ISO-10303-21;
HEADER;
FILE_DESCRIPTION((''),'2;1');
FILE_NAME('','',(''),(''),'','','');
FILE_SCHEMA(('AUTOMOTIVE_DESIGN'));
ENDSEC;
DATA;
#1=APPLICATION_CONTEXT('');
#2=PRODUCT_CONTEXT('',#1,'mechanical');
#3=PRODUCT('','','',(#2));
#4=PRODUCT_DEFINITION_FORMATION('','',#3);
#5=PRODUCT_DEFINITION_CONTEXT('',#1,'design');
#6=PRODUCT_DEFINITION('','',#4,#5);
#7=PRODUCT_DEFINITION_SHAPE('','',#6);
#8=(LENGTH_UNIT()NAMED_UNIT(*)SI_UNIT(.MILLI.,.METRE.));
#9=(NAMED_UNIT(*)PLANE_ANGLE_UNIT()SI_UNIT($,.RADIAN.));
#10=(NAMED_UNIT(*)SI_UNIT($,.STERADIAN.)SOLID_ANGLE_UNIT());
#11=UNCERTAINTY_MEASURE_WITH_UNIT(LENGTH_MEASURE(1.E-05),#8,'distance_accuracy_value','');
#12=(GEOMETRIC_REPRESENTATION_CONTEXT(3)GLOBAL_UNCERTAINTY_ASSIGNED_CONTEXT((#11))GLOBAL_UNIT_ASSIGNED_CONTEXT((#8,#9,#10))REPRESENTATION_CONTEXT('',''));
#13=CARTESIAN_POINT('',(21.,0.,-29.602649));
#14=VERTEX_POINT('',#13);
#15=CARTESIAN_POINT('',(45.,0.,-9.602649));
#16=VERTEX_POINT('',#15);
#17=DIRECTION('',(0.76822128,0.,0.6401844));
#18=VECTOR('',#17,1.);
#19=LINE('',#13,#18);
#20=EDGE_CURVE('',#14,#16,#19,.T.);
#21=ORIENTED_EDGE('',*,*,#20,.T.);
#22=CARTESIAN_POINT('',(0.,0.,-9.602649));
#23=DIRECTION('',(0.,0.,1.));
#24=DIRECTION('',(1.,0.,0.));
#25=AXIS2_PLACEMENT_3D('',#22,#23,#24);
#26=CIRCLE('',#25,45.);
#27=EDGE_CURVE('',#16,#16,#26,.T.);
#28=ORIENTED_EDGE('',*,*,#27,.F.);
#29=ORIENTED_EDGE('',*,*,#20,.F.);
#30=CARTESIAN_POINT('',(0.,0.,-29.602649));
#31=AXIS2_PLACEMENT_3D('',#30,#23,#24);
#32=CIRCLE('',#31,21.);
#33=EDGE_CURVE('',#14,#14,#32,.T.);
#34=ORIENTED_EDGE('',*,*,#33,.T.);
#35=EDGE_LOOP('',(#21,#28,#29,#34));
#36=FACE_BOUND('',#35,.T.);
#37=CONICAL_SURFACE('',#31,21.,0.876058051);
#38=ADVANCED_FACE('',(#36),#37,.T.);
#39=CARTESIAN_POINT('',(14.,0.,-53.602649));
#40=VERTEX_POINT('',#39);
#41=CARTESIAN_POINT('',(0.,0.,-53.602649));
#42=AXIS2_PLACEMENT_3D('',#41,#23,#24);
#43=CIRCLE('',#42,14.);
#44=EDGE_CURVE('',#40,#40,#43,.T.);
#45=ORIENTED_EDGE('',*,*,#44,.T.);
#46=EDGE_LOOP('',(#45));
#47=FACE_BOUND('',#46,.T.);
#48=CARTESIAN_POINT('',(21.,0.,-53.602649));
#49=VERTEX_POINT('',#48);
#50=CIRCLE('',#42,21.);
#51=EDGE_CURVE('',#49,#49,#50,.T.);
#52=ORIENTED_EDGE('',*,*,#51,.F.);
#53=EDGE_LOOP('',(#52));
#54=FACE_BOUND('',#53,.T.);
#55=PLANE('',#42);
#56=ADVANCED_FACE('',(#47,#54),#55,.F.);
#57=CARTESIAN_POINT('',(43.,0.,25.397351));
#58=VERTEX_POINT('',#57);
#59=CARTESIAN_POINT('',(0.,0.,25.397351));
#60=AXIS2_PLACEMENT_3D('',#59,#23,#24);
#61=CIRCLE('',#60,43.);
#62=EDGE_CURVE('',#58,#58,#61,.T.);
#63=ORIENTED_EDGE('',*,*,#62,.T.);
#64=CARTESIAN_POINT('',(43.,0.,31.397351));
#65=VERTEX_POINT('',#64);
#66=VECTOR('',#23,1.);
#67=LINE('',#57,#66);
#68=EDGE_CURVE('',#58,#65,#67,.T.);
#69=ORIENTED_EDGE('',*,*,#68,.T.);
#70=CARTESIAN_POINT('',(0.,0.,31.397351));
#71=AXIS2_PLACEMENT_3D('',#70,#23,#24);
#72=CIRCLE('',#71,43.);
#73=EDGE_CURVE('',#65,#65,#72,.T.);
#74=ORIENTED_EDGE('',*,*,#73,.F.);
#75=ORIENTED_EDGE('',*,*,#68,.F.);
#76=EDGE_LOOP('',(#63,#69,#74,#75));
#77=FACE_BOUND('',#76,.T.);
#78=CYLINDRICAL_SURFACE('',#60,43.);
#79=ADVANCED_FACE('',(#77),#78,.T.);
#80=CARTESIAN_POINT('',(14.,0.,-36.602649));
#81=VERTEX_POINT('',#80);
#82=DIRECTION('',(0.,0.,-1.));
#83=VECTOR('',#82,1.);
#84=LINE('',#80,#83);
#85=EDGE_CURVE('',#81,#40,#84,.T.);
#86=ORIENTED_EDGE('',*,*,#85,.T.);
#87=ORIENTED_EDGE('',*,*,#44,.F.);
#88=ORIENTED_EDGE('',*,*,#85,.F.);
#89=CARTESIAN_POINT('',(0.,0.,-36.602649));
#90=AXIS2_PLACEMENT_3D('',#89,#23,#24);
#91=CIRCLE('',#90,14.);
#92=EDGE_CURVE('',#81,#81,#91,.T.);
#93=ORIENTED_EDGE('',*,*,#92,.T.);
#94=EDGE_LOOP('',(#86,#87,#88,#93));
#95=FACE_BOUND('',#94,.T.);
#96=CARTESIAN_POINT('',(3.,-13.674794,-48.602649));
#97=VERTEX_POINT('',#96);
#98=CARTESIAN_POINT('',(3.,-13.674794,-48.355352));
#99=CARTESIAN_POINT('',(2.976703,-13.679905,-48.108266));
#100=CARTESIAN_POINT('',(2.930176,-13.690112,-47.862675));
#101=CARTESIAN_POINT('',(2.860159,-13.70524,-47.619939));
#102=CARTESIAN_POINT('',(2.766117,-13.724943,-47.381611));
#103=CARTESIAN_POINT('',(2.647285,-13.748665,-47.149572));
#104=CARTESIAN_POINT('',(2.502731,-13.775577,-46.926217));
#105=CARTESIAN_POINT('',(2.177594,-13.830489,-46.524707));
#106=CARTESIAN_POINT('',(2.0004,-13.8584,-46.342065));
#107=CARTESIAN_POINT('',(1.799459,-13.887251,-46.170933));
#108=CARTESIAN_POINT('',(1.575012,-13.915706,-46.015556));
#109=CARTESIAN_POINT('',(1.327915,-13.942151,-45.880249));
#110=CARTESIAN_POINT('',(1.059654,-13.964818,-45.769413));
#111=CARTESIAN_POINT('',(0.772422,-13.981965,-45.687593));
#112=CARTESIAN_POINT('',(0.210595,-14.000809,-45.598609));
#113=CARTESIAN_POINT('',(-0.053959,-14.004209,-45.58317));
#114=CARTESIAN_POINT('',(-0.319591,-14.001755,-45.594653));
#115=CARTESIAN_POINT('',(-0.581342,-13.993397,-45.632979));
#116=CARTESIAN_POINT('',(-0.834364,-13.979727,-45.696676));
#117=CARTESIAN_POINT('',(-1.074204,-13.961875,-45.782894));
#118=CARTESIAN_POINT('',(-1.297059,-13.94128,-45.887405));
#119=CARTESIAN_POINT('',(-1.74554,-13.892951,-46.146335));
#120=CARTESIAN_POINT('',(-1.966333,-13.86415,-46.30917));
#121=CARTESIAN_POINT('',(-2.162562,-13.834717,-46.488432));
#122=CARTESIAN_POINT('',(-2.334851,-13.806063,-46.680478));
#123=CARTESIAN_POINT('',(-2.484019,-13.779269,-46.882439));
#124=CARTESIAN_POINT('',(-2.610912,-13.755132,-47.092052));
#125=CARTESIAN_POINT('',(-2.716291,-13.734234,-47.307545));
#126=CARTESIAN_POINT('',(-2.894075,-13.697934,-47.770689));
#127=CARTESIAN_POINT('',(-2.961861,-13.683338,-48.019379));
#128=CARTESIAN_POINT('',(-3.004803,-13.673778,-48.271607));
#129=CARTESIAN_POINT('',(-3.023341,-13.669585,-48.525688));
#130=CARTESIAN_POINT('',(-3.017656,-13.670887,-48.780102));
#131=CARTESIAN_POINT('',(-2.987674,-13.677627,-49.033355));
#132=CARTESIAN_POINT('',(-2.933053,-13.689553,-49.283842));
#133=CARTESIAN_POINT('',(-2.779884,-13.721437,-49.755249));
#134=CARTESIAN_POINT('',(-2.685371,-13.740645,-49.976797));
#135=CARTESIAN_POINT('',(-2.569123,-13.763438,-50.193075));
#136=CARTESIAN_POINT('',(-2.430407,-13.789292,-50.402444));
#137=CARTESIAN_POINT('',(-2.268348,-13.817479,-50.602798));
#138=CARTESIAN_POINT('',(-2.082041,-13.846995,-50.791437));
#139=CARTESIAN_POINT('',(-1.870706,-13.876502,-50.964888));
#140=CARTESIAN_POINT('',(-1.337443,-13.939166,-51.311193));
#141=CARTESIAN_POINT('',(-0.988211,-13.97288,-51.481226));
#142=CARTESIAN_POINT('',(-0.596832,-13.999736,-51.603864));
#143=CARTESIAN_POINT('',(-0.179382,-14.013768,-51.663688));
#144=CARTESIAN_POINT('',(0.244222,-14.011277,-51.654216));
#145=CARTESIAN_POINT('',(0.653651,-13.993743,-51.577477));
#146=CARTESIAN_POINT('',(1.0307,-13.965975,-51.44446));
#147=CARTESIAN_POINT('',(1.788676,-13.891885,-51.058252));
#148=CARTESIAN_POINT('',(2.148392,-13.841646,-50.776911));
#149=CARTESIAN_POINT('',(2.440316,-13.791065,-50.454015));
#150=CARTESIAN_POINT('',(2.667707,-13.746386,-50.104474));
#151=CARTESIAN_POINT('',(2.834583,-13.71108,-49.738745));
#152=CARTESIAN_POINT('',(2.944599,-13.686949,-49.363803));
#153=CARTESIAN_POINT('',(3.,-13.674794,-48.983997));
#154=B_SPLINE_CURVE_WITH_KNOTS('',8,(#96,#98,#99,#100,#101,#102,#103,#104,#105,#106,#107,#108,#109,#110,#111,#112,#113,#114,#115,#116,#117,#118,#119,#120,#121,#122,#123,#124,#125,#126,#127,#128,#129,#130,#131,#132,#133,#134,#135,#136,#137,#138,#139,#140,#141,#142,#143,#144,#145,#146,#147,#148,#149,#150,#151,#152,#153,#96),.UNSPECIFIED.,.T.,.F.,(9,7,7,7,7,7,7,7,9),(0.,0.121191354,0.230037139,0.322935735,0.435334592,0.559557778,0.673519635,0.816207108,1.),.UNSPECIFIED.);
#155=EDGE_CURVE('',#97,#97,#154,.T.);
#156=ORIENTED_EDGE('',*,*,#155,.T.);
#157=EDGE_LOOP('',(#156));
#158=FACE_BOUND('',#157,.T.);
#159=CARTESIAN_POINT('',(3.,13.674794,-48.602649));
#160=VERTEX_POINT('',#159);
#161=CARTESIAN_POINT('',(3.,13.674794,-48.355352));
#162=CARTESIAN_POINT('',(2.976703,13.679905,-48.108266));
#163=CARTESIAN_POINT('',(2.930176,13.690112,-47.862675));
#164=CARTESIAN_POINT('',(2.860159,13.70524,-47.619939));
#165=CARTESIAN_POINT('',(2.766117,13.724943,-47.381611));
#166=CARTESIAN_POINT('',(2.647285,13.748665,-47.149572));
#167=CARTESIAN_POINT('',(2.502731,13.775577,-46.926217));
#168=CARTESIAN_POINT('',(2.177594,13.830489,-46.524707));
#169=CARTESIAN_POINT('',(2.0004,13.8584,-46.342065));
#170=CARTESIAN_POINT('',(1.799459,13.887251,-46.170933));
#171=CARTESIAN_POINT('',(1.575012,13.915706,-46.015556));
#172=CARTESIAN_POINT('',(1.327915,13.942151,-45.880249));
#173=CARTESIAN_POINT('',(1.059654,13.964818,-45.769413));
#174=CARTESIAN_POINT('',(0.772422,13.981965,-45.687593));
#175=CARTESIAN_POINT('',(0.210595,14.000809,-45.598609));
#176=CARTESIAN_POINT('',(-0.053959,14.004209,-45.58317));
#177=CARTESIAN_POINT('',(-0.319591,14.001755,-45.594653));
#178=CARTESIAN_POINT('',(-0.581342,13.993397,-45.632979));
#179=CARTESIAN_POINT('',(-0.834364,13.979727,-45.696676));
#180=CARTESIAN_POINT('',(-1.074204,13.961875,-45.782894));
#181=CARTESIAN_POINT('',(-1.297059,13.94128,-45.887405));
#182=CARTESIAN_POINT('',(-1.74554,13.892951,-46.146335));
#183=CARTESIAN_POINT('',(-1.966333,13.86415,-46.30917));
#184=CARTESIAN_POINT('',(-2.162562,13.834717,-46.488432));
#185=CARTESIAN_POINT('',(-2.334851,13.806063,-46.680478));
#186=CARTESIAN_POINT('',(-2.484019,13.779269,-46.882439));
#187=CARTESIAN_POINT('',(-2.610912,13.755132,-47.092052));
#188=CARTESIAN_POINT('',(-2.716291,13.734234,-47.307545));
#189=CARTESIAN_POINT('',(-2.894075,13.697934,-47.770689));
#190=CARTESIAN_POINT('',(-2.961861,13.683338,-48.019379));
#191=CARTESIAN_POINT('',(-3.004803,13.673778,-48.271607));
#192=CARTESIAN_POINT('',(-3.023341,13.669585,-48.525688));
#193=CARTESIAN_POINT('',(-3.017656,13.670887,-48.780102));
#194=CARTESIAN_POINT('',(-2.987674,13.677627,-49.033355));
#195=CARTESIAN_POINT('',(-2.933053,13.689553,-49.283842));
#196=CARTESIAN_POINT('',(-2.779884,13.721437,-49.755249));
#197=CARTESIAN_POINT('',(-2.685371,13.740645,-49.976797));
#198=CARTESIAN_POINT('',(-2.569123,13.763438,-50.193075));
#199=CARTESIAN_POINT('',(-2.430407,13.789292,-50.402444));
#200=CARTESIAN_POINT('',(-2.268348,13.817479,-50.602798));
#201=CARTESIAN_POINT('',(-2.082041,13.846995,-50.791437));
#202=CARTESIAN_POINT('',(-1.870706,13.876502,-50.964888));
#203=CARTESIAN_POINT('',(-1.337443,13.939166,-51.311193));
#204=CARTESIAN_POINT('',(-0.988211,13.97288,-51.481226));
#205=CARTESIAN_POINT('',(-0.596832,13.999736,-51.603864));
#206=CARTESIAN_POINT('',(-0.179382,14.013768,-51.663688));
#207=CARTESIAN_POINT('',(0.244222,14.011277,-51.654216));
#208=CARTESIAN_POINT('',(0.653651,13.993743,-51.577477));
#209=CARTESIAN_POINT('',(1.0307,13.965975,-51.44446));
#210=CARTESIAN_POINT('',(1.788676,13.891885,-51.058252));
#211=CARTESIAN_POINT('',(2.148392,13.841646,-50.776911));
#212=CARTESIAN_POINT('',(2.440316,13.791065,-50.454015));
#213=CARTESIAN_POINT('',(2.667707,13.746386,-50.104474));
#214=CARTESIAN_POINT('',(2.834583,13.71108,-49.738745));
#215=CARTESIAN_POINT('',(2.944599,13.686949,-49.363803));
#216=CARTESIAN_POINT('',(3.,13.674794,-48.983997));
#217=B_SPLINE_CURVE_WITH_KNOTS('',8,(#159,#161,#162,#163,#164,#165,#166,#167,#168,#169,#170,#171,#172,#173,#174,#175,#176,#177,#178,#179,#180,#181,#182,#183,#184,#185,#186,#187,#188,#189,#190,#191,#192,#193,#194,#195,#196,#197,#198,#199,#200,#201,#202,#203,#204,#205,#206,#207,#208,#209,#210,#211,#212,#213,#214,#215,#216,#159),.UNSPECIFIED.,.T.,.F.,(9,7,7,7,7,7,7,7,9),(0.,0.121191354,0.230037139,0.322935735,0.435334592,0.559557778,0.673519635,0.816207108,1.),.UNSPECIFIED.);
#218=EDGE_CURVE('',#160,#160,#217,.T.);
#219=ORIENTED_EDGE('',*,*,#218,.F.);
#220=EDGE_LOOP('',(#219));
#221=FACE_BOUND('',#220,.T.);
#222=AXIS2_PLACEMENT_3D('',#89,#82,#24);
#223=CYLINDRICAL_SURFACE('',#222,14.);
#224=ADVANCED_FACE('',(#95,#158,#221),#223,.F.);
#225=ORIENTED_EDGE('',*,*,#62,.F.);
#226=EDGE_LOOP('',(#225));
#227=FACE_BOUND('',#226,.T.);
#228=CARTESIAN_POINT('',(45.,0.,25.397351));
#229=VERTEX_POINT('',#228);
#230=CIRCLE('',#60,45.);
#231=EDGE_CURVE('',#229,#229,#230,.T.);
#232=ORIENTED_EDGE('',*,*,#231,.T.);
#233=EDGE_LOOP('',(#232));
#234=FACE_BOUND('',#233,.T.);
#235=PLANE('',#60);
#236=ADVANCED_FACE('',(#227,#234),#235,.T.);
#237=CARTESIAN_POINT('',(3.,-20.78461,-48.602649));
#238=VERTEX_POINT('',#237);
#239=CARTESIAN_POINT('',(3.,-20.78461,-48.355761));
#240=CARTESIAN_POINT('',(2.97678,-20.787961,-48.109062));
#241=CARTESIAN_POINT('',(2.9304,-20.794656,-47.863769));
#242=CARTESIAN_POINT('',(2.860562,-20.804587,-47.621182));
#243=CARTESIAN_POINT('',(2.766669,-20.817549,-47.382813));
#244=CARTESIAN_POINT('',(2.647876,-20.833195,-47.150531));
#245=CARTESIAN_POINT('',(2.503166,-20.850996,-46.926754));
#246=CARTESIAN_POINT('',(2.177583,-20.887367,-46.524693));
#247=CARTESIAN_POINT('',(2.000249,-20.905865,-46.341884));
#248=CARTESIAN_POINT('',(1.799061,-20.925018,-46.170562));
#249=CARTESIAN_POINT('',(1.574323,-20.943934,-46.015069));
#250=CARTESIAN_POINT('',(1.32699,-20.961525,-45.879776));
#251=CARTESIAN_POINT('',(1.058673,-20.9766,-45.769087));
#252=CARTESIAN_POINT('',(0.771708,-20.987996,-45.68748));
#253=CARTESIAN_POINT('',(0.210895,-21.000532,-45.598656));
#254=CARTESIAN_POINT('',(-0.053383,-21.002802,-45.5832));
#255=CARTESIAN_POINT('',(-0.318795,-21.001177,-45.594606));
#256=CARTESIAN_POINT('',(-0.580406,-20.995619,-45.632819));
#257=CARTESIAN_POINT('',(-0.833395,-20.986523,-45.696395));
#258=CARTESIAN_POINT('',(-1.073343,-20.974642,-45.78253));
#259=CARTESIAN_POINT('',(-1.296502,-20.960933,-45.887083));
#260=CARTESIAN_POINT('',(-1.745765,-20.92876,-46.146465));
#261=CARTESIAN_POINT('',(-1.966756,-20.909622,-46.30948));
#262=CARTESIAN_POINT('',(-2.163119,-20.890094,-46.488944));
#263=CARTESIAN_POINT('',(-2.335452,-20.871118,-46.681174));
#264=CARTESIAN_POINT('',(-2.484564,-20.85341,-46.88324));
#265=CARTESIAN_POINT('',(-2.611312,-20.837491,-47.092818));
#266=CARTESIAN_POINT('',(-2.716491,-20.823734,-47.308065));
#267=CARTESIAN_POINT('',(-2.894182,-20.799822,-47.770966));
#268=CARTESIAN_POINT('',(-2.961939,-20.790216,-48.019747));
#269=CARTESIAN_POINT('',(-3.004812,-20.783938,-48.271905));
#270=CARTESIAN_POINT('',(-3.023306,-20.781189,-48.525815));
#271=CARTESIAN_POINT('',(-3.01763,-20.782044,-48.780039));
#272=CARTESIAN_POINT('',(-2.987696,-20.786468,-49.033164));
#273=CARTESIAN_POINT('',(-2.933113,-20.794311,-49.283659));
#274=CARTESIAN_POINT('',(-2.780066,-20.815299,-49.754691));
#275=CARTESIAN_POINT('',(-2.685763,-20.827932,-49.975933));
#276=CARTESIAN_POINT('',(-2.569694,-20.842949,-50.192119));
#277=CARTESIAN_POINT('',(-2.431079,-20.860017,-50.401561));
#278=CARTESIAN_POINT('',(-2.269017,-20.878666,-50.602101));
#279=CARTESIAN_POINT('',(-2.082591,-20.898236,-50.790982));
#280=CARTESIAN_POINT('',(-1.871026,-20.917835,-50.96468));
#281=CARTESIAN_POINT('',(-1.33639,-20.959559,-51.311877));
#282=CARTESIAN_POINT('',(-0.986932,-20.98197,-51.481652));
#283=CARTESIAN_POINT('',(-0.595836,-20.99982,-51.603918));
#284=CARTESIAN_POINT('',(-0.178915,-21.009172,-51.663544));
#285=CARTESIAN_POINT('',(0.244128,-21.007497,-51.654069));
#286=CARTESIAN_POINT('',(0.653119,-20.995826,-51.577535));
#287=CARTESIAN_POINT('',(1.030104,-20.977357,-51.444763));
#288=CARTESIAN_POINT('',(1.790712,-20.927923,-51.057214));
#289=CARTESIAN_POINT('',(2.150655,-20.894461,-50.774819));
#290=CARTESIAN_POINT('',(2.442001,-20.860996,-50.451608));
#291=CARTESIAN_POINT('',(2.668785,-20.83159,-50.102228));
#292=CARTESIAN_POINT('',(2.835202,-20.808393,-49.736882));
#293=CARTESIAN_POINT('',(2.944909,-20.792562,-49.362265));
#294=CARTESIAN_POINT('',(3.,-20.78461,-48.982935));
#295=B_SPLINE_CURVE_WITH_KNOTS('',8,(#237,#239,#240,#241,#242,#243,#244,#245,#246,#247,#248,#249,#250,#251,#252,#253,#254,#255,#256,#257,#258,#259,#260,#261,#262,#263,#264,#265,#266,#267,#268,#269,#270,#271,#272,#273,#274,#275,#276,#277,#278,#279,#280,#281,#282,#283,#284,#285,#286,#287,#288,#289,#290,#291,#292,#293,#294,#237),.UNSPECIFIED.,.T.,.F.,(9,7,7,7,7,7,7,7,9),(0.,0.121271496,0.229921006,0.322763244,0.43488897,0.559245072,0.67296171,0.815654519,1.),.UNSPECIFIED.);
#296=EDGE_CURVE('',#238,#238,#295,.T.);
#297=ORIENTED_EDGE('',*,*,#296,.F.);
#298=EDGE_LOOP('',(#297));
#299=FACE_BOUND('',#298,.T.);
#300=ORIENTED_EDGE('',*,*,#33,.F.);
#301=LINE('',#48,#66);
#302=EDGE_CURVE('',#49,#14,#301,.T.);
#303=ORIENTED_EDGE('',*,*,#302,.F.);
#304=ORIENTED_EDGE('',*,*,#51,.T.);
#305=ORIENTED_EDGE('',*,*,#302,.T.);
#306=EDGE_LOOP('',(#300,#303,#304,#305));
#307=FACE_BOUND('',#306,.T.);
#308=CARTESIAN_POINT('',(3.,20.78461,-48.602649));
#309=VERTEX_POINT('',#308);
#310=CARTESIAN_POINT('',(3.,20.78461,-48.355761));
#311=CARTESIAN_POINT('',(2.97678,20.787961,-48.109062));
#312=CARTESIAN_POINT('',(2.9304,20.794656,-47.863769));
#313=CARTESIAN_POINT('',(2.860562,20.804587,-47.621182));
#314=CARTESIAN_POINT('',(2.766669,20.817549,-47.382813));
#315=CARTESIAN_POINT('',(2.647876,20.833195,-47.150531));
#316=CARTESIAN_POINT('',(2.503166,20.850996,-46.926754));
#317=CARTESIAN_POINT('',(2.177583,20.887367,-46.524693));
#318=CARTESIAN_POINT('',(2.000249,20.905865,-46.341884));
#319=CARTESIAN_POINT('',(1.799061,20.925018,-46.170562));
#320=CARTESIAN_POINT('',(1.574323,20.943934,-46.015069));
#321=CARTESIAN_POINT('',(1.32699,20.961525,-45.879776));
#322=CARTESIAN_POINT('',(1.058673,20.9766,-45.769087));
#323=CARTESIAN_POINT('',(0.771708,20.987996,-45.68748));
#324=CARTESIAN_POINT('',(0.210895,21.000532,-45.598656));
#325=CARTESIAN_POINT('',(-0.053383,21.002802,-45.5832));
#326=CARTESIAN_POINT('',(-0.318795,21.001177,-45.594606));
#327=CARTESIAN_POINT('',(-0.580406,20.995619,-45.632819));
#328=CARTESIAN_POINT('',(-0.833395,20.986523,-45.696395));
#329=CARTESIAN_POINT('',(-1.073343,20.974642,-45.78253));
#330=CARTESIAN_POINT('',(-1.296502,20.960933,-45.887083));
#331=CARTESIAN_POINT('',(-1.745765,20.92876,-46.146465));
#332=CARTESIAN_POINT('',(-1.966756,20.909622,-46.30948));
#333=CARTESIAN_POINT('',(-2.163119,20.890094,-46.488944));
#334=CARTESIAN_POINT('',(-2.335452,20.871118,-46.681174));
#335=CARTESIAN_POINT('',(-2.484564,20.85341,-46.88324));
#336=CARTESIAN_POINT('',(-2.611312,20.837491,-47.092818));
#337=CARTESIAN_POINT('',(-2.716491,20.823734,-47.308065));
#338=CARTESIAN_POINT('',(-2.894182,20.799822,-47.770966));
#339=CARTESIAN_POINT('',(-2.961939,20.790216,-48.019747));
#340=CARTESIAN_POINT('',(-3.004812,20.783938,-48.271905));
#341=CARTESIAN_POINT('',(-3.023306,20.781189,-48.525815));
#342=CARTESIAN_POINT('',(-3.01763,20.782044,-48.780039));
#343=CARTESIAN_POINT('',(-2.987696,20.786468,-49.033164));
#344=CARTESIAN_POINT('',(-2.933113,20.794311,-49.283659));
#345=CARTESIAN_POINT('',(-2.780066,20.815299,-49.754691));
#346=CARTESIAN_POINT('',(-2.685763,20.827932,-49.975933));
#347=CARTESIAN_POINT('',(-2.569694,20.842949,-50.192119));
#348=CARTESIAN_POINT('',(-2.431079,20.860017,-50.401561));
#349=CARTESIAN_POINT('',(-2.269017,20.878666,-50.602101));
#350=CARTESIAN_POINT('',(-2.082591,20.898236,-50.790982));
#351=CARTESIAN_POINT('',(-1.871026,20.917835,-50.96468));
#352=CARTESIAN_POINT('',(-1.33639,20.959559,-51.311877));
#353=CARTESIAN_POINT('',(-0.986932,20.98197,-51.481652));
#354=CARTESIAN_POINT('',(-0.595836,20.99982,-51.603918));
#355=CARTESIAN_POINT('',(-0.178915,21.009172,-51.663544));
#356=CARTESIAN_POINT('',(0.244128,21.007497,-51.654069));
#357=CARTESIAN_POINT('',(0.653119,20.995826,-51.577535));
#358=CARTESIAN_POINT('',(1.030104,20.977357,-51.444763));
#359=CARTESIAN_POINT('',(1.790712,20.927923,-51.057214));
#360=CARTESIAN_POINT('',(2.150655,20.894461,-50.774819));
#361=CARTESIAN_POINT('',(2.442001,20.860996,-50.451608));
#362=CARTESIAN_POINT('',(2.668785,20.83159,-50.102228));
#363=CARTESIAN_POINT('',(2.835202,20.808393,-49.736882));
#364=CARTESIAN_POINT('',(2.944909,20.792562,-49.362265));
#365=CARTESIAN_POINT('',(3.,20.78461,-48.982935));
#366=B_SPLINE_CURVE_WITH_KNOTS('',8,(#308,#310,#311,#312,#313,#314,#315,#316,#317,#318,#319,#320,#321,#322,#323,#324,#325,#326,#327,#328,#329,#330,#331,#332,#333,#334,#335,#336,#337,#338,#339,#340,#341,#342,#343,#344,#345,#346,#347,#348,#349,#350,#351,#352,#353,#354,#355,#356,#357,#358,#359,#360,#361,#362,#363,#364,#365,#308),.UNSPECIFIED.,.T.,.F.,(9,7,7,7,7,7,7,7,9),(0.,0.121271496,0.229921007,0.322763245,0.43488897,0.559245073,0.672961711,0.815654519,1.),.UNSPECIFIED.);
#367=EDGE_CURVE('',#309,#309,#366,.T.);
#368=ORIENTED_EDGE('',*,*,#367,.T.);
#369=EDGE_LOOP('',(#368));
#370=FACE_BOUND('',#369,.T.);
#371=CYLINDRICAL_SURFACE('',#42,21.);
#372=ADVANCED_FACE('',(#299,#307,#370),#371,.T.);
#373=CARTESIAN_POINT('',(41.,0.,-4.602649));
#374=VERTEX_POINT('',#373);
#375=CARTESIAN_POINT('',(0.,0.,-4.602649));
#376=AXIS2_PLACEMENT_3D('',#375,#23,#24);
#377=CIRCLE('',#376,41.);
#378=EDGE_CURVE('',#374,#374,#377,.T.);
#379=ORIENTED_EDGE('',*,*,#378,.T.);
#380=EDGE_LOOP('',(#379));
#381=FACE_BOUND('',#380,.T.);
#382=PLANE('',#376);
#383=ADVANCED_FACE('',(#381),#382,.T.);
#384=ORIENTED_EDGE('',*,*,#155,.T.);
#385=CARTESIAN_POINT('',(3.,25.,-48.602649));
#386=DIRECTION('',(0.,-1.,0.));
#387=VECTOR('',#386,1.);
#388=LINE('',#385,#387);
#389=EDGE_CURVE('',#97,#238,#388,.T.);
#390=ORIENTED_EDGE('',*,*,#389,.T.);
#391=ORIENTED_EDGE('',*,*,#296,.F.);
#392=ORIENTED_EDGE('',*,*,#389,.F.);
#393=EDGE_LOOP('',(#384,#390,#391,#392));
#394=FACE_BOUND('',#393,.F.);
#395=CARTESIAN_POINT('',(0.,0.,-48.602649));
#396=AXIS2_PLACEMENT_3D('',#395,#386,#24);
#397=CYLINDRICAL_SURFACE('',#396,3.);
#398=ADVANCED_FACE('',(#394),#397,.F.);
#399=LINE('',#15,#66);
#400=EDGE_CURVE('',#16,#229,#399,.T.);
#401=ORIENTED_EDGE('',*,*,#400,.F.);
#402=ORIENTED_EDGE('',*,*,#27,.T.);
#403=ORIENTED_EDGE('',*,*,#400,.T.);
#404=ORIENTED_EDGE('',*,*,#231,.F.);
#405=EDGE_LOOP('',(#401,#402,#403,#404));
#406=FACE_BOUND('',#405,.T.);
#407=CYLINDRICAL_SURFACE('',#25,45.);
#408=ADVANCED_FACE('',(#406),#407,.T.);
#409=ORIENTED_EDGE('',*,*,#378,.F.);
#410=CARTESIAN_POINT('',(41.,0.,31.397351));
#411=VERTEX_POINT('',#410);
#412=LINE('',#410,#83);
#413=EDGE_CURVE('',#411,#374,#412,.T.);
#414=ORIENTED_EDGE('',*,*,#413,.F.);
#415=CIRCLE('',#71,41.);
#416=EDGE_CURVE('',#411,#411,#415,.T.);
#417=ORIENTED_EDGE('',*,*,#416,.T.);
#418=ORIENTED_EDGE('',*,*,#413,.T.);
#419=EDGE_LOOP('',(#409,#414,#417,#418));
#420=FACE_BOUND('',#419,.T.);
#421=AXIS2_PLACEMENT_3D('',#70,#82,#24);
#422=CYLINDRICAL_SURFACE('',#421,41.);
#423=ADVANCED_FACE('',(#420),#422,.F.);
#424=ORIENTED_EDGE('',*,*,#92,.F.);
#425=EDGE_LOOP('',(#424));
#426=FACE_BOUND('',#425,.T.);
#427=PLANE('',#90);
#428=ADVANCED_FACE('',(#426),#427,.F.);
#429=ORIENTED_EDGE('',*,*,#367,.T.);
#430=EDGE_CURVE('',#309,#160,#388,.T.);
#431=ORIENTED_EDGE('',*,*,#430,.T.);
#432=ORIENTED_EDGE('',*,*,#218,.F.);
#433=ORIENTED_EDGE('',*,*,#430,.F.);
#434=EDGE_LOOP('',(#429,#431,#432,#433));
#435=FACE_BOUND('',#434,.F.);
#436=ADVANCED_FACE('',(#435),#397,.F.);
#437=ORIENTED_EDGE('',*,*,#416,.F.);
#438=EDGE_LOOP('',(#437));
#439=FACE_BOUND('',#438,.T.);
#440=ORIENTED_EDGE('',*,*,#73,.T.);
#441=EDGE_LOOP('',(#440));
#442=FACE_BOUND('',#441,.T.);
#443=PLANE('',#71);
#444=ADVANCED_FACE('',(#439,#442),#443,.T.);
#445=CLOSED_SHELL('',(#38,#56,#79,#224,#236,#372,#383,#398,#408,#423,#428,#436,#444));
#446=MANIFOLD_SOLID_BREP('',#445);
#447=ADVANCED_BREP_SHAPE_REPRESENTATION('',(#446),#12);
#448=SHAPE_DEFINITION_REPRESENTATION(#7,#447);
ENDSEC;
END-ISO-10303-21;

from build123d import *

# Parameters (mm, degrees)
F2_R     = 3
F3_DEPTH = 25


with BuildPart() as f1:
    # F0 (on Front) → F1 (revolve)
    with BuildSketch(Plane.XZ):
        Polygon((14, -53.602649), (21, -53.602649), (21, -29.602649), (45, -9.602649), (45, -4.602649), (45, 25.397351), (43, 25.397351), (43, 31.397351), (41, 31.397351), (41, -4.602649), (0, -4.602649), (0, -9.602649), (0, -29.602649), (0, -36.602649), (14, -36.602649), align=None)
    revolve(axis=Axis((0, 0, -29.606792), (0, 0, 1)))

    # F2 (on Front) → F3 (cut, symmetric)
    with BuildSketch(Plane.XZ):
        with Locations((0, -48.602649)):
            Circle(F2_R)
    extrude(amount=F3_DEPTH, both=True, mode=Mode.SUBTRACT)


solid = f1.part
